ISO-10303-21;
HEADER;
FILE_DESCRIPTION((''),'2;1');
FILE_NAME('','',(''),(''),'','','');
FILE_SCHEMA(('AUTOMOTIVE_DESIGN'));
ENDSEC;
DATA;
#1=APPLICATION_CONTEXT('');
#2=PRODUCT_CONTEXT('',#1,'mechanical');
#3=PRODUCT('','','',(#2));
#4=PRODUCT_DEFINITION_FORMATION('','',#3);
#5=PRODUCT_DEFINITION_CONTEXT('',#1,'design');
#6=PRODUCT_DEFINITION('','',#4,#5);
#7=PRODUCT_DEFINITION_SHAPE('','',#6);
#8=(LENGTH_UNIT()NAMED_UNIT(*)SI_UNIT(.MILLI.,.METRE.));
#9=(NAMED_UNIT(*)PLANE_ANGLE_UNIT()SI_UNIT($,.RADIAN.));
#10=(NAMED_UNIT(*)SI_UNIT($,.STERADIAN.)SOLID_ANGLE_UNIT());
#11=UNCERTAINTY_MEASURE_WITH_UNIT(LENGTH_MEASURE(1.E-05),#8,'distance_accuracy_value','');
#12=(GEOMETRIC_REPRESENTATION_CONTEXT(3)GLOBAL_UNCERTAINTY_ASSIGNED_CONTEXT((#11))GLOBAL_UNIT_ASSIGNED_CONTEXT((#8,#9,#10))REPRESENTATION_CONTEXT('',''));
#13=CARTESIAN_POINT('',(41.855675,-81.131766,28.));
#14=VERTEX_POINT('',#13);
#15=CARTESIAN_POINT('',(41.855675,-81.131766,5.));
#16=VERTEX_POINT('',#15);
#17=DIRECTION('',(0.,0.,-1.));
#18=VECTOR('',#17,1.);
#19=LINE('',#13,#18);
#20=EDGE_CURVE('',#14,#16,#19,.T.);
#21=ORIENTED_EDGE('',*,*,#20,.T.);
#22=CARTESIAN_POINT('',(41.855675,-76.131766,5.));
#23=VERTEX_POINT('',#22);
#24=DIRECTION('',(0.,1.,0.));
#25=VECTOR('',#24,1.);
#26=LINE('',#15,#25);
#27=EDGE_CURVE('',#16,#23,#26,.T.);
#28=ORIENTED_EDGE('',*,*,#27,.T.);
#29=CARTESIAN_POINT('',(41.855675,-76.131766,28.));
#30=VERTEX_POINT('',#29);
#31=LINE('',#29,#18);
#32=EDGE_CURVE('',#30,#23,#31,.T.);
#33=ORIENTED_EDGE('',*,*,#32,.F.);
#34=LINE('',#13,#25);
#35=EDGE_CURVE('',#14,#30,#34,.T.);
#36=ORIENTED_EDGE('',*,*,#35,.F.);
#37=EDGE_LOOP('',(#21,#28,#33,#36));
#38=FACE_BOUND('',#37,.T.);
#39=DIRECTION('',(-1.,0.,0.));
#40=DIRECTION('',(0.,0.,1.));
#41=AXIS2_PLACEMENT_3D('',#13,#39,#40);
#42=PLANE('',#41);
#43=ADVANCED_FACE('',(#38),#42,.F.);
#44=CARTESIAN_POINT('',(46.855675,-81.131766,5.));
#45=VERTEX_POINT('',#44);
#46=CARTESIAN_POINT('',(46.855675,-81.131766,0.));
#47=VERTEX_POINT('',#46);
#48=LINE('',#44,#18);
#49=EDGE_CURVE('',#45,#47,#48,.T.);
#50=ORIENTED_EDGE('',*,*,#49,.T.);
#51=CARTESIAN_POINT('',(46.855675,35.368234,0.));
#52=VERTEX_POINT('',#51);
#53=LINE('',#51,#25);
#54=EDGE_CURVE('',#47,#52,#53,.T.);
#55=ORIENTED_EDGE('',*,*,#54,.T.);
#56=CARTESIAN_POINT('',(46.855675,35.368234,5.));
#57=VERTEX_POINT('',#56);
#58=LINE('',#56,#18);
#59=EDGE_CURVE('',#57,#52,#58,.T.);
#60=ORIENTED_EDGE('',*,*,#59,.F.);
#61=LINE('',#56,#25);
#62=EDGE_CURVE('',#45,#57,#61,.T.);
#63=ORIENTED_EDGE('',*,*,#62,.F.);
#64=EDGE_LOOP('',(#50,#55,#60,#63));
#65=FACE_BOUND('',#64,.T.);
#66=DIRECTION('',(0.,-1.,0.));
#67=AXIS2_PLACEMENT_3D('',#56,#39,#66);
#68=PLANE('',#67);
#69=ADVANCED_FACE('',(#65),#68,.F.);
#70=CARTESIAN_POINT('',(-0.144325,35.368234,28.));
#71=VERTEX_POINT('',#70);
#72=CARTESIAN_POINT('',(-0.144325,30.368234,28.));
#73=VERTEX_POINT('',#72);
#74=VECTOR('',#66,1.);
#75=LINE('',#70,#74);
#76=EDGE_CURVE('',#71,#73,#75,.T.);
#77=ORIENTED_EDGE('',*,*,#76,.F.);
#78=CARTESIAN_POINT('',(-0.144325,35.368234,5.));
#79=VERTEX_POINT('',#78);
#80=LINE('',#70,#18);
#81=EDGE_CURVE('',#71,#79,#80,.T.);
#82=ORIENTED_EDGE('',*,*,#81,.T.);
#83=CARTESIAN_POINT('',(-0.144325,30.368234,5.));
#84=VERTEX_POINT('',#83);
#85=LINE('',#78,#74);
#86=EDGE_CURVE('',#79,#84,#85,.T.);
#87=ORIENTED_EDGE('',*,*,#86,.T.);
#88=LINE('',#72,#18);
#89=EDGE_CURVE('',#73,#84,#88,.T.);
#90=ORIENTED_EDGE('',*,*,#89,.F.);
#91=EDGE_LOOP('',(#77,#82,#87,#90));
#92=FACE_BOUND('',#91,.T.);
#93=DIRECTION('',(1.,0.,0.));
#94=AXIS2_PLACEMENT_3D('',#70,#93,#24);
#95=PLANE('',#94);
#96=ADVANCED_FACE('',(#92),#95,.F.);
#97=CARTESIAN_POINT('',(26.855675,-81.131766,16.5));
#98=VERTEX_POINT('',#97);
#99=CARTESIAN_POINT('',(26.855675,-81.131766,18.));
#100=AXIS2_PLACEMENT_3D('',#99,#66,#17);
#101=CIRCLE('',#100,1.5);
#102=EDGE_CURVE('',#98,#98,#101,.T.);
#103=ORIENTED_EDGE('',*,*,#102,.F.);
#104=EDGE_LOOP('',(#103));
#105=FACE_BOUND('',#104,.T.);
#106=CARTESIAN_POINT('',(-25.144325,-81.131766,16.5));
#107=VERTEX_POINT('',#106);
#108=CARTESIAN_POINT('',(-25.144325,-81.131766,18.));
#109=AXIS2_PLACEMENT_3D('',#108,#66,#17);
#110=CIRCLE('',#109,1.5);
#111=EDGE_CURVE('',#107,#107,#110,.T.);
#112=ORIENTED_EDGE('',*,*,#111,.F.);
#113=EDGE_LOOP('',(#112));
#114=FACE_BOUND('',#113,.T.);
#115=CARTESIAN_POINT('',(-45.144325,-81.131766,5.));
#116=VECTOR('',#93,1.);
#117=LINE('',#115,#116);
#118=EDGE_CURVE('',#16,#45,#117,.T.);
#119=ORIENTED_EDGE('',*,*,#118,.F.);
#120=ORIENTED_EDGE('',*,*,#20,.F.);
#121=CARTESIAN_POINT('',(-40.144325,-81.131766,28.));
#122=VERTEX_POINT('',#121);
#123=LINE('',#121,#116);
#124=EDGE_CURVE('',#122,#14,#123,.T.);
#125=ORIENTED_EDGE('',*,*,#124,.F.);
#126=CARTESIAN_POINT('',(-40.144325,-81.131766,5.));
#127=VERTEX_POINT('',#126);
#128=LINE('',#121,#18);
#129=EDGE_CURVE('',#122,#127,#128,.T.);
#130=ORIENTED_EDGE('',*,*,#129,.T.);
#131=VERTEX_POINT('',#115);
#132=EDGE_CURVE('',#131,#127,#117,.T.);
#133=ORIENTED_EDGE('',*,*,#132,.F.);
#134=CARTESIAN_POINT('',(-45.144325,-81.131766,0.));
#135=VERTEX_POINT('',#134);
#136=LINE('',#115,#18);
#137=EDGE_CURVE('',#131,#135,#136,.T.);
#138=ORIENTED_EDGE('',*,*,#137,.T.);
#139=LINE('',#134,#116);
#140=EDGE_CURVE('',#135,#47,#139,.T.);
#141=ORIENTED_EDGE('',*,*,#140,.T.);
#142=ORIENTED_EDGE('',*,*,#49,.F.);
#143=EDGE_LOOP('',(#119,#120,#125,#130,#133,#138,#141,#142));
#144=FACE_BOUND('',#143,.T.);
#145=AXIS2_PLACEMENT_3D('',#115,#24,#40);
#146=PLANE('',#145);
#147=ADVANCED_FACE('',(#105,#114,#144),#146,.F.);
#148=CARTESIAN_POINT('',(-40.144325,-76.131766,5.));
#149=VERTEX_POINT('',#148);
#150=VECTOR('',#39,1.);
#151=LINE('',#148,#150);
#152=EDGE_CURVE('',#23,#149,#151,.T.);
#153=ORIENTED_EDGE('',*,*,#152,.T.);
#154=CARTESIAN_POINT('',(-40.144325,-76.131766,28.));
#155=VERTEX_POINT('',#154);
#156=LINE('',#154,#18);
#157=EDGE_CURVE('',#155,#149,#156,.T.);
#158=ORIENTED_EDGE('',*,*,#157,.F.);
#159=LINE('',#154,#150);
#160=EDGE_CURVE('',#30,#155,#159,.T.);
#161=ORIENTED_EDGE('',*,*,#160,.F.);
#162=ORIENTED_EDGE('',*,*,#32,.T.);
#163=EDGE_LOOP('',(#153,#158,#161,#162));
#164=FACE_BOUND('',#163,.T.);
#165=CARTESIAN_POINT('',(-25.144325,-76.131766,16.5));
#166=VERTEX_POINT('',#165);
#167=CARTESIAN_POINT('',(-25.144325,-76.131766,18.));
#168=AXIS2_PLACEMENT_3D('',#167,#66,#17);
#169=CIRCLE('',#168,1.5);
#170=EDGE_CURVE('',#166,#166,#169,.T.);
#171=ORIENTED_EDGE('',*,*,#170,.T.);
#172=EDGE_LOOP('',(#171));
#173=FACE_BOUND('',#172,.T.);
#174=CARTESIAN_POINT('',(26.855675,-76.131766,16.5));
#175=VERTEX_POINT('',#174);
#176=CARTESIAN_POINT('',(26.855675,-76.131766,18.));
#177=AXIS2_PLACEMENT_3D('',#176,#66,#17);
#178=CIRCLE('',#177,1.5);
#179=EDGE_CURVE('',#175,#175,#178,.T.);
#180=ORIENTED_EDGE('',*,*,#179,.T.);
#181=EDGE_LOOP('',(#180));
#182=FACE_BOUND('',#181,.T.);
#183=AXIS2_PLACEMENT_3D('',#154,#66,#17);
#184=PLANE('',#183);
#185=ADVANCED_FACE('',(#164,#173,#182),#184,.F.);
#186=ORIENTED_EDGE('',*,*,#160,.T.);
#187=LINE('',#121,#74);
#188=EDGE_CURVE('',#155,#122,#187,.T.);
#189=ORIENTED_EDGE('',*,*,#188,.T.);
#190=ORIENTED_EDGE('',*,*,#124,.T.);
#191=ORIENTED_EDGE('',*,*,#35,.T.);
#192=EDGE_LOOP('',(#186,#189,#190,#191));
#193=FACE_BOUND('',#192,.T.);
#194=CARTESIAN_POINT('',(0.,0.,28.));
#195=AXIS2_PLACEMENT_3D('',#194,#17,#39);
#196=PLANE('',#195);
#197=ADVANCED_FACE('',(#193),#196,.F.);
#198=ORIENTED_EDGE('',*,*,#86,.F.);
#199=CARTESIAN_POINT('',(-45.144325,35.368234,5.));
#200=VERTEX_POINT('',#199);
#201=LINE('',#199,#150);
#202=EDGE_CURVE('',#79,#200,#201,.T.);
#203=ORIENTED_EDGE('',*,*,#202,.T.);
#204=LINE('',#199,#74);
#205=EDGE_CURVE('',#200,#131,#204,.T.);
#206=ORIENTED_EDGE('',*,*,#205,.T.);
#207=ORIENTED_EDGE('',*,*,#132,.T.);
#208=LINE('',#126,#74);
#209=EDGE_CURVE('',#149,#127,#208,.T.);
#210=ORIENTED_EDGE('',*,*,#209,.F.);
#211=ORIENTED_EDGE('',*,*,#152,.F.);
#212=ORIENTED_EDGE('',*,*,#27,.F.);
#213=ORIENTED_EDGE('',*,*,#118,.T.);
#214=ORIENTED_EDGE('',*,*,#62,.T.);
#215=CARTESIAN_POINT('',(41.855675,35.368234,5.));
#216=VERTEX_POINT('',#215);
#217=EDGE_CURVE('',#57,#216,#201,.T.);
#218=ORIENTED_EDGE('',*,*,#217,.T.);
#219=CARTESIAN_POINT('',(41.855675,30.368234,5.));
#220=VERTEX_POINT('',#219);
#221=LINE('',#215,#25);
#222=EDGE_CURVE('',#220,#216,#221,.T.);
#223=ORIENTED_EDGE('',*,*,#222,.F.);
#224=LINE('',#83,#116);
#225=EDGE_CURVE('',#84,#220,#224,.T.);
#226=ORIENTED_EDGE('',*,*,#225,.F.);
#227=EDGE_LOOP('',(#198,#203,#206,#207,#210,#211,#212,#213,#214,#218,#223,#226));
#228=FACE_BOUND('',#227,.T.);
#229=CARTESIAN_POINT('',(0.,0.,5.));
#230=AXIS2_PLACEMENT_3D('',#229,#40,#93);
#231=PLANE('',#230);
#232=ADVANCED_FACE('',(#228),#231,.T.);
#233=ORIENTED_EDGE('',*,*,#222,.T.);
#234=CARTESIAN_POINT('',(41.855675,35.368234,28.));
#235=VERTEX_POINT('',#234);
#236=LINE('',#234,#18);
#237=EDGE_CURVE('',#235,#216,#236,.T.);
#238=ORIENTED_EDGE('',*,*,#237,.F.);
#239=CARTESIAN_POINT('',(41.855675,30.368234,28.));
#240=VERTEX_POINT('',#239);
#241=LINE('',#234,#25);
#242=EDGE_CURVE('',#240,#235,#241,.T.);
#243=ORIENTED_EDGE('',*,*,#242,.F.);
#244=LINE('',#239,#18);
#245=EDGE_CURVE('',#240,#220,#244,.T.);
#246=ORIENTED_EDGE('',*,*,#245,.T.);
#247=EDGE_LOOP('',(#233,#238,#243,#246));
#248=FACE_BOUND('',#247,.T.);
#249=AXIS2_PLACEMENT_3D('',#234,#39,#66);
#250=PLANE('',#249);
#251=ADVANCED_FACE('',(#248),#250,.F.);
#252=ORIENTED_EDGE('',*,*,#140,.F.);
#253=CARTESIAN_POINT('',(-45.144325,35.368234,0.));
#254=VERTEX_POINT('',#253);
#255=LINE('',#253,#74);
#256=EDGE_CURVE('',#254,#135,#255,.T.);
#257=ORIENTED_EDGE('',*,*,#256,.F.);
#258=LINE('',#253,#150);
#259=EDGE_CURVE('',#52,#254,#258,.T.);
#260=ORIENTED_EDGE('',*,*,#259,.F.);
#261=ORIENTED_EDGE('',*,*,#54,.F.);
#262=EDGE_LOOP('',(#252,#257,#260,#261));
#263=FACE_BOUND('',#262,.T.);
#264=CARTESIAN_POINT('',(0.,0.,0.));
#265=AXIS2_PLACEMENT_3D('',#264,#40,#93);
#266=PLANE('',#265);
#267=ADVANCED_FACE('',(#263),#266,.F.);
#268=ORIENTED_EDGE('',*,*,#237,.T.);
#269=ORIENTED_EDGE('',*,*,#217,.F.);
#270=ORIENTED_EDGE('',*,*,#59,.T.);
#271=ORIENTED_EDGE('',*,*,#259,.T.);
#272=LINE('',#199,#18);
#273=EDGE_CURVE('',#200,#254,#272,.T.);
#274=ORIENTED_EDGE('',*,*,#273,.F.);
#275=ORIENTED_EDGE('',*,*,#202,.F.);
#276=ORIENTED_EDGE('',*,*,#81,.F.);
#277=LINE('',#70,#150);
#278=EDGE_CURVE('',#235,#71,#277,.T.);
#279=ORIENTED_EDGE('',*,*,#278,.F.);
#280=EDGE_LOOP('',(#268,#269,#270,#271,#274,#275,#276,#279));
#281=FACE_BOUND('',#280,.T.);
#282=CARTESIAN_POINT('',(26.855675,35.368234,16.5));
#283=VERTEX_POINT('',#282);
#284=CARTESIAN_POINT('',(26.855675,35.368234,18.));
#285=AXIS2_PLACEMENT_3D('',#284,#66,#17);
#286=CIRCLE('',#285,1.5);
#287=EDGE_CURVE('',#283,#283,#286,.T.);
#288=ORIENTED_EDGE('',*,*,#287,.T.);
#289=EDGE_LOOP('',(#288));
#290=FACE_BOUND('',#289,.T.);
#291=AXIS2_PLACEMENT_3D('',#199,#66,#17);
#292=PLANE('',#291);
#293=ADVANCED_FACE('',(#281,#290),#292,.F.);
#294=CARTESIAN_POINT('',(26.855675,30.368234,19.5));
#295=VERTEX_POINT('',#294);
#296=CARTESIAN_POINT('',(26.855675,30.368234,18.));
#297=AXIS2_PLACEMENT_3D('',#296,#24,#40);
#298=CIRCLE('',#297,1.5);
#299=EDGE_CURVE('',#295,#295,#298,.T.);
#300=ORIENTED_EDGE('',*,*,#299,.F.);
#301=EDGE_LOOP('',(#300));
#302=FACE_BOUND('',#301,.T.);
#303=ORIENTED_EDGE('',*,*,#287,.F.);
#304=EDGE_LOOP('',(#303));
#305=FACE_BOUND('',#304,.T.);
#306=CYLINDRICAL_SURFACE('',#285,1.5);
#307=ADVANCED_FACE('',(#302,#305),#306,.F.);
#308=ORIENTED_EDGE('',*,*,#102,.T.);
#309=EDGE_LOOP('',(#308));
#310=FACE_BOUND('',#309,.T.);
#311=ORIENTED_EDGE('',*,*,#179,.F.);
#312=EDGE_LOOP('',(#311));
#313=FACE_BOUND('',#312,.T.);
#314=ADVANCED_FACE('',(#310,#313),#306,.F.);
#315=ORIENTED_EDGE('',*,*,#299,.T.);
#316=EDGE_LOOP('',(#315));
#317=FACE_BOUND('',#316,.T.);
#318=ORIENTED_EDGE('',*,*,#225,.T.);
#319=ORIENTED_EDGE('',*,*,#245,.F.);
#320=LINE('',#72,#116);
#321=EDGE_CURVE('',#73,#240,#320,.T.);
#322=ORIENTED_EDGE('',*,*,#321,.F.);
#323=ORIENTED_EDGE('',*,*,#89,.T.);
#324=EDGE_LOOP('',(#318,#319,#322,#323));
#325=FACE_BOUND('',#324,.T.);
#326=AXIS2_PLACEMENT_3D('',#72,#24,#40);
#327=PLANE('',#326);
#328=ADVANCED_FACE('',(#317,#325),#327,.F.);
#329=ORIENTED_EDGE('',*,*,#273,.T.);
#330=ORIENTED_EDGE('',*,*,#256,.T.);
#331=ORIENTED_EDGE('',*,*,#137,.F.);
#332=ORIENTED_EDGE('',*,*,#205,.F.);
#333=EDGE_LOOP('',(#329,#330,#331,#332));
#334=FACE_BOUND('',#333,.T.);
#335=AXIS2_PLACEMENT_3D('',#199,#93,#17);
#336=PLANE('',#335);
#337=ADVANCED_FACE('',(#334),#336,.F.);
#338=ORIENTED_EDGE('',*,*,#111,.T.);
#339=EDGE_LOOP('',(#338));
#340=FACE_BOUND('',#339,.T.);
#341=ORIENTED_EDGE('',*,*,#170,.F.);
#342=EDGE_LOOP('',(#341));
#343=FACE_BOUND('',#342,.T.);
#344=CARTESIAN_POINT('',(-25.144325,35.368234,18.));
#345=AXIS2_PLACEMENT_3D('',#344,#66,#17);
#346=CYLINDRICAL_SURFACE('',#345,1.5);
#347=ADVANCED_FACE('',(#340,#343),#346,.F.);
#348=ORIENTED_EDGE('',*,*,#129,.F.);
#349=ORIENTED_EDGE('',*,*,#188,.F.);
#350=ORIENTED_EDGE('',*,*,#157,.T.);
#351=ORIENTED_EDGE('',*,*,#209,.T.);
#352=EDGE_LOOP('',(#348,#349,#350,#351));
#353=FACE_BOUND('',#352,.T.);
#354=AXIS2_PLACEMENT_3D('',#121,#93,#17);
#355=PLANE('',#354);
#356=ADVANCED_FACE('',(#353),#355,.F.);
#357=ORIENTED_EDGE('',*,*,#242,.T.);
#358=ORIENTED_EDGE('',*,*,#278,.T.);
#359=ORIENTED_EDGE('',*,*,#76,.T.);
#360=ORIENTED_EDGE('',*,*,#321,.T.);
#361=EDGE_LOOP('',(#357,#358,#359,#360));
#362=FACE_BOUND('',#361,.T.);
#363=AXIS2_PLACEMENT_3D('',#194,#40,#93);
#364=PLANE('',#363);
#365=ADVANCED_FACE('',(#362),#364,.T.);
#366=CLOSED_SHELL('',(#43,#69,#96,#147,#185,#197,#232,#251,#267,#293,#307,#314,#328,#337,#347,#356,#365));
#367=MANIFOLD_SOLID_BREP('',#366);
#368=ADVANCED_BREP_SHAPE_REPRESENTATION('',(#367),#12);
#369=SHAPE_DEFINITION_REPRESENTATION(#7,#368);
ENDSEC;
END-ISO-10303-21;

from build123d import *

# Parameters (mm, degrees)
SKETCH_1_W          = 92
SKETCH_1_H          = 116.5
EXTRUDE_1_DEPTH     = 5
SKETCH_2_W          = 82
SKETCH_2_H          = 5
SKETCH_2_W_2        = 42
EXTRUDE_2_DEPTH     = 23
SKETCH_3_R          = 1.5
CUT_EXTRUDE_1_DEPTH = 129.653427027


with BuildPart() as part:
    # 草圖1 → 填料-伸長1 (new body)
    with BuildSketch(Plane.XY):
        with Locations((0.855675066, -22.881766382)):
            Rectangle(SKETCH_1_W, SKETCH_1_H)
    extrude(amount=EXTRUDE_1_DEPTH)

    # 草圖2 → 填料-伸長2 (add)
    with BuildSketch(Plane.XY.offset(5)):
        with Locations((0.855675066, -78.631766382)):
            Rectangle(SKETCH_2_W, SKETCH_2_H)
        with Locations((20.855675066, 32.868233618)):
            Rectangle(SKETCH_2_W_2, SKETCH_2_H)
    extrude(amount=EXTRUDE_2_DEPTH)

    # 草圖3 → 除料-伸長1 (cut, through all)
    with BuildSketch(Plane.XZ.offset(81.131766382)):
        with Locations(Location((-25.144324934, 18, 0), (0, 0, 270))):
            Circle(SKETCH_3_R)
        with Locations(Location((26.855675066, 18, 0), (0, 0, 270))):
            Circle(SKETCH_3_R)
    extrude(amount=-CUT_EXTRUDE_1_DEPTH, mode=Mode.SUBTRACT)


solid = part.part
